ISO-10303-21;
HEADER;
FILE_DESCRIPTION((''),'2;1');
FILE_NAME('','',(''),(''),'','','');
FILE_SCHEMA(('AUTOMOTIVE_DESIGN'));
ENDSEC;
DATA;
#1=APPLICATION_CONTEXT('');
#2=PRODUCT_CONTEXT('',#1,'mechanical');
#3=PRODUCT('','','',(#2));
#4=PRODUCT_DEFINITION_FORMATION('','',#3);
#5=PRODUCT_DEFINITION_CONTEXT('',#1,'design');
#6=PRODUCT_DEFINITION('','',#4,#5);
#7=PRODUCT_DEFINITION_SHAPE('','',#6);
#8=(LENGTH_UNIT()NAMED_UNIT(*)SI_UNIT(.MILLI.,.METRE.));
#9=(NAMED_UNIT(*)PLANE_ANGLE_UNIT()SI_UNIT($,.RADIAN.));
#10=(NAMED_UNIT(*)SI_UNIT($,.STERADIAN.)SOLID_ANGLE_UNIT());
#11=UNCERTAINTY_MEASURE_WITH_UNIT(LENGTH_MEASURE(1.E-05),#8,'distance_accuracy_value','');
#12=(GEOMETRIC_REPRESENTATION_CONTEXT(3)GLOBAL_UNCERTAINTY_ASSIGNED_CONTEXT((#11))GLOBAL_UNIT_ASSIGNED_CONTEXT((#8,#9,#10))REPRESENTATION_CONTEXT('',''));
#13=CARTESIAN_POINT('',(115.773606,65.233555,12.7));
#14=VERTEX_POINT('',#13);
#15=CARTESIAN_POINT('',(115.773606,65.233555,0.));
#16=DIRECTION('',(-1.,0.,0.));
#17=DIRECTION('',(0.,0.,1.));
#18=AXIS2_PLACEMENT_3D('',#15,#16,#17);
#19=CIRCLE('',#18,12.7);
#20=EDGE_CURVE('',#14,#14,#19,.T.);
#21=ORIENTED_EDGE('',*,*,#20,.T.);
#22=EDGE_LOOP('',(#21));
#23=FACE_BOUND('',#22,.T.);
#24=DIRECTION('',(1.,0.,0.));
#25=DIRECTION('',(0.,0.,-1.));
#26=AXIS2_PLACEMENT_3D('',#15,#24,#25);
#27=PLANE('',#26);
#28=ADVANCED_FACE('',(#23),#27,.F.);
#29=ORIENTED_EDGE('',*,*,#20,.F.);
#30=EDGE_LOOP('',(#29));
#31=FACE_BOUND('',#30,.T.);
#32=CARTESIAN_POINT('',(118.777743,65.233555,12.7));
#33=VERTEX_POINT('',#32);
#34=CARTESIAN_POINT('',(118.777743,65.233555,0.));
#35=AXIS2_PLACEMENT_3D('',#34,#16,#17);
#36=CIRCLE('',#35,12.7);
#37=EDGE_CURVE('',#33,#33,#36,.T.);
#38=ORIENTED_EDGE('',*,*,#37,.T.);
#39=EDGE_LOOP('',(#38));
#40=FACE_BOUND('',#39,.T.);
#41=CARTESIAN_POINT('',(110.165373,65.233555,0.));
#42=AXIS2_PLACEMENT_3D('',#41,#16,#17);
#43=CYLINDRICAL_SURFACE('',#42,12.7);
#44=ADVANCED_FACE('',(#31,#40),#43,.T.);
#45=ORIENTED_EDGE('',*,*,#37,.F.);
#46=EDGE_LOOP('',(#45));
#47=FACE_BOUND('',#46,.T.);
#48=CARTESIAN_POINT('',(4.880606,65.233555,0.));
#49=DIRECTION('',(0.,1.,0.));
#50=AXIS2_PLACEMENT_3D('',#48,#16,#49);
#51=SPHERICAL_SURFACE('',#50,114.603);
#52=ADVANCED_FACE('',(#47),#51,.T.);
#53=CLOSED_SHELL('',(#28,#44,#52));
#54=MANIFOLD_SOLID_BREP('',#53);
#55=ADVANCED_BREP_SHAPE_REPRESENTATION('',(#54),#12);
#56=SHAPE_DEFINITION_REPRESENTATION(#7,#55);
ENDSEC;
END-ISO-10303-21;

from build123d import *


with BuildPart() as part:
    # 草图1 → 旋转1 (revolve)
    with BuildSketch(Plane.XY):
        with BuildLine():
            Line((115.773606431, 65.233554926), (115.773606431, 77.933554926))
            Line((115.773606431, 77.933554926), (118.777742519, 77.933554926))
            ThreePointArc((118.777742519, 77.933554926), (119.307004382, 71.593355314), (119.483606431, 65.233554926))
            Line((119.483606431, 65.233554926), (115.773606431, 65.233554926))
        make_face()
    revolve(axis=Axis((110.165373228, 65.233554926, 0), (1, 0, 0)))


solid = part.part
